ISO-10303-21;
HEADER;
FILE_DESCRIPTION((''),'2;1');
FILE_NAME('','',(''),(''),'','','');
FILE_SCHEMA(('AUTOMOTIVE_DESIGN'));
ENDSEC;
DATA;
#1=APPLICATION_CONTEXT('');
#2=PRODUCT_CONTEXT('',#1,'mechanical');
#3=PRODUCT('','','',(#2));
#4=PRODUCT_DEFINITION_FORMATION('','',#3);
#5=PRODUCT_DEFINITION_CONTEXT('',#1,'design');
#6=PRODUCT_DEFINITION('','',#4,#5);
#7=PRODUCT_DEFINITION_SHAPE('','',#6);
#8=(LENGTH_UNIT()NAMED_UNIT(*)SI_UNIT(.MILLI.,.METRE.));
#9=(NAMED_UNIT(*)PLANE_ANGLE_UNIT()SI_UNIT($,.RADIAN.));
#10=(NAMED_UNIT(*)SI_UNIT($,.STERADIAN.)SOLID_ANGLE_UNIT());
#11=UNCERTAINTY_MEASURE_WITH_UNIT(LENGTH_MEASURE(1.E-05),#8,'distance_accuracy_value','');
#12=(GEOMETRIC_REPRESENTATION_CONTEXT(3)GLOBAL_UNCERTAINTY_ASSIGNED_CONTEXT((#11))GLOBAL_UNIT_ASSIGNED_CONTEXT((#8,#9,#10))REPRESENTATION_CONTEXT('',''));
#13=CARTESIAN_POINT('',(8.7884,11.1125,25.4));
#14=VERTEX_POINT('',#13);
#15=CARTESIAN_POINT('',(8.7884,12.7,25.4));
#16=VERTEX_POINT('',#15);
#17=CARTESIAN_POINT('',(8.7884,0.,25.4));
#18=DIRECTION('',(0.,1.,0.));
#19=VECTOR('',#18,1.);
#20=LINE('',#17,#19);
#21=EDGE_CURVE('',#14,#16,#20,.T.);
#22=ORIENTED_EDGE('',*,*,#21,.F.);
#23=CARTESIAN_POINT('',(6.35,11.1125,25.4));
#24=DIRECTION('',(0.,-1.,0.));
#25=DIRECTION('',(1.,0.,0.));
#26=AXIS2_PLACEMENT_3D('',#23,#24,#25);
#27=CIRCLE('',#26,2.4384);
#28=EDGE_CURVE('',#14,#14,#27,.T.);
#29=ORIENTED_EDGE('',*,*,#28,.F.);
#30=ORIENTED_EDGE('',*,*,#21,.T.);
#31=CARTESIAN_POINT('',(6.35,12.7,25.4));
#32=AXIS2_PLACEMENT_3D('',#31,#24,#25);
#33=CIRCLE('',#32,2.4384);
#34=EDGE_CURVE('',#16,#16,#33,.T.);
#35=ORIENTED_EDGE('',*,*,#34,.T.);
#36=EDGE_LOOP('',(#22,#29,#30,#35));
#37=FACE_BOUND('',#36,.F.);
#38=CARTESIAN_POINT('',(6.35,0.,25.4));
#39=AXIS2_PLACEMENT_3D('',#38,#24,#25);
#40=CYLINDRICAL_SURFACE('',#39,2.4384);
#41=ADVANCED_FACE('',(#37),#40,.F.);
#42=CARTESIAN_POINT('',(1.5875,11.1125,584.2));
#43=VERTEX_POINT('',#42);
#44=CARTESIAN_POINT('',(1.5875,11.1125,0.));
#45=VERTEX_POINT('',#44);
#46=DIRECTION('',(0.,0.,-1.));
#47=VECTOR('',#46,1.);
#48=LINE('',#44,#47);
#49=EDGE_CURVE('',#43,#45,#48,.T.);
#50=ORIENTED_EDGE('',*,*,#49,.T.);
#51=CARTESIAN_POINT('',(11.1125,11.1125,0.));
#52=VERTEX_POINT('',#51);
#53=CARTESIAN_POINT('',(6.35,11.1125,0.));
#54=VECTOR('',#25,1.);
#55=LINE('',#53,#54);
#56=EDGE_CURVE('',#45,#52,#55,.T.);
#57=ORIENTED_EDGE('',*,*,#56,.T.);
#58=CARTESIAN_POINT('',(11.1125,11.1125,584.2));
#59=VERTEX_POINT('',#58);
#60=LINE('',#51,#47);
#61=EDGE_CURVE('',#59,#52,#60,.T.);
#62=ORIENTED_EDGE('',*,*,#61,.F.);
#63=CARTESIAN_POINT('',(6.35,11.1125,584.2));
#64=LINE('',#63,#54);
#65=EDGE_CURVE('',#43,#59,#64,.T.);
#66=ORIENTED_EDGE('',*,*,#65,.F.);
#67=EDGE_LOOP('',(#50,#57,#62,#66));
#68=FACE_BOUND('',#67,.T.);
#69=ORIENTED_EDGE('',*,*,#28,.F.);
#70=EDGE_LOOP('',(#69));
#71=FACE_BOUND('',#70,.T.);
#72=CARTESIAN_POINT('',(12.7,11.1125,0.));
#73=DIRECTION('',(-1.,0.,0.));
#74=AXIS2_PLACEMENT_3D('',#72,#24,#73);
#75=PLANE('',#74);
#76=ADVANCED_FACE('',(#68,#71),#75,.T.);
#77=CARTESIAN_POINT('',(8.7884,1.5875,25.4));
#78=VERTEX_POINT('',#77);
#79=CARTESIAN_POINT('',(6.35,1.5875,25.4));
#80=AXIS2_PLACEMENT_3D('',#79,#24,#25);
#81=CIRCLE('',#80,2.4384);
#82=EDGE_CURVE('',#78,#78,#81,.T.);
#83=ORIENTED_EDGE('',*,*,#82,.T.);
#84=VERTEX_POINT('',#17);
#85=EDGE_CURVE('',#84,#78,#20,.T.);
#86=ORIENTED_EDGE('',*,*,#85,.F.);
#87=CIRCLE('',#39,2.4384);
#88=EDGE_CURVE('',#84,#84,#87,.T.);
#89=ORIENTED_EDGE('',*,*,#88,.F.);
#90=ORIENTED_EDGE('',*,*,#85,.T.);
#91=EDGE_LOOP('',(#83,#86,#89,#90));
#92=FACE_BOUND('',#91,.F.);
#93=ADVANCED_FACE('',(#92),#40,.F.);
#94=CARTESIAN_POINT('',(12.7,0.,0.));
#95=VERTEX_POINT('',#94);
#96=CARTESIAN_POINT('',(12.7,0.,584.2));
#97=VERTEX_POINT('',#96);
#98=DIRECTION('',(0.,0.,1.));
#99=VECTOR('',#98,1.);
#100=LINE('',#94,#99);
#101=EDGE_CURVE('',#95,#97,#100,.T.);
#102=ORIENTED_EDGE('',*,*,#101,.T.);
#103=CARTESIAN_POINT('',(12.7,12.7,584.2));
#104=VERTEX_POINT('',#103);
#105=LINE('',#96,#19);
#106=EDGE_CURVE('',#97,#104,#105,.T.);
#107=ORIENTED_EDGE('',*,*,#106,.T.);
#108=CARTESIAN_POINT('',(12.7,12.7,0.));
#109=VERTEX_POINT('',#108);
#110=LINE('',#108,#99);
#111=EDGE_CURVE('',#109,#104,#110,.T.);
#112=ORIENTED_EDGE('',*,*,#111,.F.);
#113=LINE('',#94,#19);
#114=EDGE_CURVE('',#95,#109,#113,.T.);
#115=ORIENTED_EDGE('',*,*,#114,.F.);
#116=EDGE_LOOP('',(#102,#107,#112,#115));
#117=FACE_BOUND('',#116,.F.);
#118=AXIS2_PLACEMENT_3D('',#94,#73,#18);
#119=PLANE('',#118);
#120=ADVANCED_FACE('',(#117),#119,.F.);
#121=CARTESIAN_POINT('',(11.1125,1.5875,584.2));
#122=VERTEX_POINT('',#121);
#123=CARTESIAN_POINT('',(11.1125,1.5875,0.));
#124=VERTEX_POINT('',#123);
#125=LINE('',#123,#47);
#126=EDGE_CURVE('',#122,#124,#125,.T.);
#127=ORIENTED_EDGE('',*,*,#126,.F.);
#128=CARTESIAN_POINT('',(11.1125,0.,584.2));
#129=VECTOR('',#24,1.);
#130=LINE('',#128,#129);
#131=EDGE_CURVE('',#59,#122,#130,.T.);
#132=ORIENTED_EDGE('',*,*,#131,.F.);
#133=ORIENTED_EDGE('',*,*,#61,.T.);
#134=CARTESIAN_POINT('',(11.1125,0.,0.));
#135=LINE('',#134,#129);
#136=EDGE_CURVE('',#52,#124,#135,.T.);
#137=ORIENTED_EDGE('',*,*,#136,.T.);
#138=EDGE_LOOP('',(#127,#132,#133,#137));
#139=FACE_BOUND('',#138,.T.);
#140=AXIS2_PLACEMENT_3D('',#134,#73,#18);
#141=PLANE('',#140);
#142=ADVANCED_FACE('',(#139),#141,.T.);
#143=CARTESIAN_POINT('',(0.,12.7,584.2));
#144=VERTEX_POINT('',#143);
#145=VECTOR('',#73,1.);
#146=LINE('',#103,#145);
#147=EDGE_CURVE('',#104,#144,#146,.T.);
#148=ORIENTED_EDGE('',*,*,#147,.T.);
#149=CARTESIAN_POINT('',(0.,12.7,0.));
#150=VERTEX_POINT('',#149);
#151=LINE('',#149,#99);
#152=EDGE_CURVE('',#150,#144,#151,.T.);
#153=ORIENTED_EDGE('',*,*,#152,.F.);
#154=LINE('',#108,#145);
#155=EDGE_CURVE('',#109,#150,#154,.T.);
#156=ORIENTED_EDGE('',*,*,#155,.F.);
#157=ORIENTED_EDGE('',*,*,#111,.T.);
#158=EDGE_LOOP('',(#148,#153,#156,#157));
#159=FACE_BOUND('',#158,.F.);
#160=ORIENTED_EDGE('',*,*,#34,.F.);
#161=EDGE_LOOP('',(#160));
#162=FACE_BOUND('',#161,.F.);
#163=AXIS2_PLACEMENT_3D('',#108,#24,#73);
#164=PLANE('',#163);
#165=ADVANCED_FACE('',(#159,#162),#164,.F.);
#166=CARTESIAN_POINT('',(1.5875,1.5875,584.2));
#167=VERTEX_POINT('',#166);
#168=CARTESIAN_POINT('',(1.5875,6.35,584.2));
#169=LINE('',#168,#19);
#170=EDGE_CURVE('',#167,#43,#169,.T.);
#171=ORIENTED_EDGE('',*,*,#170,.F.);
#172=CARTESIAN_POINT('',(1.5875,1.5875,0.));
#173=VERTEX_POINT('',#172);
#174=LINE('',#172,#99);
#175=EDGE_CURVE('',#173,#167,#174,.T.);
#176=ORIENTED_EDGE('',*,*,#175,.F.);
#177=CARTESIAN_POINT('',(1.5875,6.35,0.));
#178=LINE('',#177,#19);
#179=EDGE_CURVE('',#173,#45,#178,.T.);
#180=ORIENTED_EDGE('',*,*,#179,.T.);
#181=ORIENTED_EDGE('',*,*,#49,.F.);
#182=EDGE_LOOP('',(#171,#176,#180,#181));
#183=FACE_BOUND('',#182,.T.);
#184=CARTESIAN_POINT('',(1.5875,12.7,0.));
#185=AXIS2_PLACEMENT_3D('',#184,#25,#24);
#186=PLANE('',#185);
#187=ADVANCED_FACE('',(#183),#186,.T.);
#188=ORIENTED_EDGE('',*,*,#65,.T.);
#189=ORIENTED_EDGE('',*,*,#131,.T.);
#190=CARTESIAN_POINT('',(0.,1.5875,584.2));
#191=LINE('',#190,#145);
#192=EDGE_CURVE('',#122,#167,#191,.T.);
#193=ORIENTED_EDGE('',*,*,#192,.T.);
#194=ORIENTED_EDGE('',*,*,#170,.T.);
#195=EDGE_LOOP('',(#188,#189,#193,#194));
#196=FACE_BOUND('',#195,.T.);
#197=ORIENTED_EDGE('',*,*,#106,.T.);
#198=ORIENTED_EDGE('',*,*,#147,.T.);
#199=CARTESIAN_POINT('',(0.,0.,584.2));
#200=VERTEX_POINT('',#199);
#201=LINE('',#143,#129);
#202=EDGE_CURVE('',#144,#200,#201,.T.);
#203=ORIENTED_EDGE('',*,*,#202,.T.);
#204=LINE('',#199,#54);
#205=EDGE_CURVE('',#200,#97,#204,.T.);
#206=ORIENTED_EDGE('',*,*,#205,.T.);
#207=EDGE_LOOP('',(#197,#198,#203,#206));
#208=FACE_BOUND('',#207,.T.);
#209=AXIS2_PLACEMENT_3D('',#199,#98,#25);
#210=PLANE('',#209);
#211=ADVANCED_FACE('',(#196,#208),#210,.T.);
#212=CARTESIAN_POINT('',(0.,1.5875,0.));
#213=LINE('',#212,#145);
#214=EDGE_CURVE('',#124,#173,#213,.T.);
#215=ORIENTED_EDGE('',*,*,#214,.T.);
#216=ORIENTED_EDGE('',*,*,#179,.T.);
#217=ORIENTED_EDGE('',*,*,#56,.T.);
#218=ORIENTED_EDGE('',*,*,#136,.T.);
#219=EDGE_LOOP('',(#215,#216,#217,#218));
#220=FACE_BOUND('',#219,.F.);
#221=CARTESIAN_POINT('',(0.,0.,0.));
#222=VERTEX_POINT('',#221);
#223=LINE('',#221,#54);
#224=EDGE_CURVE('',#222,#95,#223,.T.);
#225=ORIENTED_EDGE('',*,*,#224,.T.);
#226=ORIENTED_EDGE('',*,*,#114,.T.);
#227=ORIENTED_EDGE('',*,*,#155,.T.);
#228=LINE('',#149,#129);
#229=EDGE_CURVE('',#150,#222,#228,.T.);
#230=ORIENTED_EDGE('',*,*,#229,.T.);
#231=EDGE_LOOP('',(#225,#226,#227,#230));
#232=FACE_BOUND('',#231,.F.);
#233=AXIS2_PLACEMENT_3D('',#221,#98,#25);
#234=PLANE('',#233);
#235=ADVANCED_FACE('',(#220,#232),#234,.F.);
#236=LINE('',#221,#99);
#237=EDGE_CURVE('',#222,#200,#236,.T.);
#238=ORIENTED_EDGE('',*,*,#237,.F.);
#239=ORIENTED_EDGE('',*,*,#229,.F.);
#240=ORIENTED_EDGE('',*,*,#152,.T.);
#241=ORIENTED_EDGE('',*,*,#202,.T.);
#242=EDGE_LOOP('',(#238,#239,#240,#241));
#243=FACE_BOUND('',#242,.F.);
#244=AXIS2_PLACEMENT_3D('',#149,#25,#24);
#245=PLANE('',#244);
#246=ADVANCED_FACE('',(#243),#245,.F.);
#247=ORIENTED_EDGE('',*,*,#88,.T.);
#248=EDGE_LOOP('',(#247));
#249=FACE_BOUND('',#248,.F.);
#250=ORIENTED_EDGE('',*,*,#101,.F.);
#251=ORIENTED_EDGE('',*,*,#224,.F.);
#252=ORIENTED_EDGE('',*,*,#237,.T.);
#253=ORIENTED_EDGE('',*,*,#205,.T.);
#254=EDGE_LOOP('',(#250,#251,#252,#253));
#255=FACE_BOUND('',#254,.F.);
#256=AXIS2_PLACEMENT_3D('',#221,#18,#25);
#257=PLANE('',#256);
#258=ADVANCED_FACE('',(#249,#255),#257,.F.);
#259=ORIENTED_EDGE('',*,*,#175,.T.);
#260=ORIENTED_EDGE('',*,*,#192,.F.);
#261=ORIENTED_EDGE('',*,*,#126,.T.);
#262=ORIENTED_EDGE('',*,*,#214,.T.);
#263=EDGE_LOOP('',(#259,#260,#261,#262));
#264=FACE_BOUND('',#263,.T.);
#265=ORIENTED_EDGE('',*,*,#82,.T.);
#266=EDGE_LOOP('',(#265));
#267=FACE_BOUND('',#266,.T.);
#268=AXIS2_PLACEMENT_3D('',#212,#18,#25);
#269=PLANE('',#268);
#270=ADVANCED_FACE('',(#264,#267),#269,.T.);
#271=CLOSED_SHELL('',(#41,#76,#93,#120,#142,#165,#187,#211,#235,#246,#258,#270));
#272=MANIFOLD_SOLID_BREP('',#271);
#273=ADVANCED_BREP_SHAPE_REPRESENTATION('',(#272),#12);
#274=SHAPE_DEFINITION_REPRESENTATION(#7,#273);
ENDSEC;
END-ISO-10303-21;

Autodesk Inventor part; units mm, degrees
ref_plane "YZ Plane" through (0, 0, 0) normal (1, 0, 0) x (0, 1, 0)
ref_plane "XZ Plane" through (0, 0, 0) normal (0, 1, 0) x (-1, 0, 0)
ref_plane "XY Plane" through (0, 0, 0) normal (0, 0, 1) x (1, 0, 0)
sketch "Sketch1" plane through (0, 0, 0) normal (0, 0, 1) x (1, 0, 0)
  line L0 (0, 0) -> (12.7, 0)
  line L1 (12.7, 0) -> (12.7, 12.7)
  line L2 (12.7, 12.7) -> (0, 12.7)
  line L3 (0, 12.7) -> (0, 0)
  dimension "d0" = 12.7
  dimension "d1" = 12.7
extrude "Extrusion1" add sketch "Sketch1" along normal blind 584.2
shell "Shell1" thickness 1.5875 removed faces 2 at (8.4667, 8.4667, 0) at (8.4667, 8.4667, 584.2)
sketch "Sketch2" plane through (0, 0, 0) normal (0, -1, 0) x (1, 0, 0)
  line L0 (0, 0) -> (0, 584.2) projected
  line L1 (0, 0) -> (12.7, 0) projected
  circle A0 centre (6.35, 25.4) radius 2.4384
  dimension "d5" = 4.8768
  dimension "d6" = 6.35
  dimension "d7" = 25.4
extrude "Extrusion2" cut sketch "Sketch2" against normal through all
properties part number "Shovel_RollerAxle" material "Aluminum-6061"
